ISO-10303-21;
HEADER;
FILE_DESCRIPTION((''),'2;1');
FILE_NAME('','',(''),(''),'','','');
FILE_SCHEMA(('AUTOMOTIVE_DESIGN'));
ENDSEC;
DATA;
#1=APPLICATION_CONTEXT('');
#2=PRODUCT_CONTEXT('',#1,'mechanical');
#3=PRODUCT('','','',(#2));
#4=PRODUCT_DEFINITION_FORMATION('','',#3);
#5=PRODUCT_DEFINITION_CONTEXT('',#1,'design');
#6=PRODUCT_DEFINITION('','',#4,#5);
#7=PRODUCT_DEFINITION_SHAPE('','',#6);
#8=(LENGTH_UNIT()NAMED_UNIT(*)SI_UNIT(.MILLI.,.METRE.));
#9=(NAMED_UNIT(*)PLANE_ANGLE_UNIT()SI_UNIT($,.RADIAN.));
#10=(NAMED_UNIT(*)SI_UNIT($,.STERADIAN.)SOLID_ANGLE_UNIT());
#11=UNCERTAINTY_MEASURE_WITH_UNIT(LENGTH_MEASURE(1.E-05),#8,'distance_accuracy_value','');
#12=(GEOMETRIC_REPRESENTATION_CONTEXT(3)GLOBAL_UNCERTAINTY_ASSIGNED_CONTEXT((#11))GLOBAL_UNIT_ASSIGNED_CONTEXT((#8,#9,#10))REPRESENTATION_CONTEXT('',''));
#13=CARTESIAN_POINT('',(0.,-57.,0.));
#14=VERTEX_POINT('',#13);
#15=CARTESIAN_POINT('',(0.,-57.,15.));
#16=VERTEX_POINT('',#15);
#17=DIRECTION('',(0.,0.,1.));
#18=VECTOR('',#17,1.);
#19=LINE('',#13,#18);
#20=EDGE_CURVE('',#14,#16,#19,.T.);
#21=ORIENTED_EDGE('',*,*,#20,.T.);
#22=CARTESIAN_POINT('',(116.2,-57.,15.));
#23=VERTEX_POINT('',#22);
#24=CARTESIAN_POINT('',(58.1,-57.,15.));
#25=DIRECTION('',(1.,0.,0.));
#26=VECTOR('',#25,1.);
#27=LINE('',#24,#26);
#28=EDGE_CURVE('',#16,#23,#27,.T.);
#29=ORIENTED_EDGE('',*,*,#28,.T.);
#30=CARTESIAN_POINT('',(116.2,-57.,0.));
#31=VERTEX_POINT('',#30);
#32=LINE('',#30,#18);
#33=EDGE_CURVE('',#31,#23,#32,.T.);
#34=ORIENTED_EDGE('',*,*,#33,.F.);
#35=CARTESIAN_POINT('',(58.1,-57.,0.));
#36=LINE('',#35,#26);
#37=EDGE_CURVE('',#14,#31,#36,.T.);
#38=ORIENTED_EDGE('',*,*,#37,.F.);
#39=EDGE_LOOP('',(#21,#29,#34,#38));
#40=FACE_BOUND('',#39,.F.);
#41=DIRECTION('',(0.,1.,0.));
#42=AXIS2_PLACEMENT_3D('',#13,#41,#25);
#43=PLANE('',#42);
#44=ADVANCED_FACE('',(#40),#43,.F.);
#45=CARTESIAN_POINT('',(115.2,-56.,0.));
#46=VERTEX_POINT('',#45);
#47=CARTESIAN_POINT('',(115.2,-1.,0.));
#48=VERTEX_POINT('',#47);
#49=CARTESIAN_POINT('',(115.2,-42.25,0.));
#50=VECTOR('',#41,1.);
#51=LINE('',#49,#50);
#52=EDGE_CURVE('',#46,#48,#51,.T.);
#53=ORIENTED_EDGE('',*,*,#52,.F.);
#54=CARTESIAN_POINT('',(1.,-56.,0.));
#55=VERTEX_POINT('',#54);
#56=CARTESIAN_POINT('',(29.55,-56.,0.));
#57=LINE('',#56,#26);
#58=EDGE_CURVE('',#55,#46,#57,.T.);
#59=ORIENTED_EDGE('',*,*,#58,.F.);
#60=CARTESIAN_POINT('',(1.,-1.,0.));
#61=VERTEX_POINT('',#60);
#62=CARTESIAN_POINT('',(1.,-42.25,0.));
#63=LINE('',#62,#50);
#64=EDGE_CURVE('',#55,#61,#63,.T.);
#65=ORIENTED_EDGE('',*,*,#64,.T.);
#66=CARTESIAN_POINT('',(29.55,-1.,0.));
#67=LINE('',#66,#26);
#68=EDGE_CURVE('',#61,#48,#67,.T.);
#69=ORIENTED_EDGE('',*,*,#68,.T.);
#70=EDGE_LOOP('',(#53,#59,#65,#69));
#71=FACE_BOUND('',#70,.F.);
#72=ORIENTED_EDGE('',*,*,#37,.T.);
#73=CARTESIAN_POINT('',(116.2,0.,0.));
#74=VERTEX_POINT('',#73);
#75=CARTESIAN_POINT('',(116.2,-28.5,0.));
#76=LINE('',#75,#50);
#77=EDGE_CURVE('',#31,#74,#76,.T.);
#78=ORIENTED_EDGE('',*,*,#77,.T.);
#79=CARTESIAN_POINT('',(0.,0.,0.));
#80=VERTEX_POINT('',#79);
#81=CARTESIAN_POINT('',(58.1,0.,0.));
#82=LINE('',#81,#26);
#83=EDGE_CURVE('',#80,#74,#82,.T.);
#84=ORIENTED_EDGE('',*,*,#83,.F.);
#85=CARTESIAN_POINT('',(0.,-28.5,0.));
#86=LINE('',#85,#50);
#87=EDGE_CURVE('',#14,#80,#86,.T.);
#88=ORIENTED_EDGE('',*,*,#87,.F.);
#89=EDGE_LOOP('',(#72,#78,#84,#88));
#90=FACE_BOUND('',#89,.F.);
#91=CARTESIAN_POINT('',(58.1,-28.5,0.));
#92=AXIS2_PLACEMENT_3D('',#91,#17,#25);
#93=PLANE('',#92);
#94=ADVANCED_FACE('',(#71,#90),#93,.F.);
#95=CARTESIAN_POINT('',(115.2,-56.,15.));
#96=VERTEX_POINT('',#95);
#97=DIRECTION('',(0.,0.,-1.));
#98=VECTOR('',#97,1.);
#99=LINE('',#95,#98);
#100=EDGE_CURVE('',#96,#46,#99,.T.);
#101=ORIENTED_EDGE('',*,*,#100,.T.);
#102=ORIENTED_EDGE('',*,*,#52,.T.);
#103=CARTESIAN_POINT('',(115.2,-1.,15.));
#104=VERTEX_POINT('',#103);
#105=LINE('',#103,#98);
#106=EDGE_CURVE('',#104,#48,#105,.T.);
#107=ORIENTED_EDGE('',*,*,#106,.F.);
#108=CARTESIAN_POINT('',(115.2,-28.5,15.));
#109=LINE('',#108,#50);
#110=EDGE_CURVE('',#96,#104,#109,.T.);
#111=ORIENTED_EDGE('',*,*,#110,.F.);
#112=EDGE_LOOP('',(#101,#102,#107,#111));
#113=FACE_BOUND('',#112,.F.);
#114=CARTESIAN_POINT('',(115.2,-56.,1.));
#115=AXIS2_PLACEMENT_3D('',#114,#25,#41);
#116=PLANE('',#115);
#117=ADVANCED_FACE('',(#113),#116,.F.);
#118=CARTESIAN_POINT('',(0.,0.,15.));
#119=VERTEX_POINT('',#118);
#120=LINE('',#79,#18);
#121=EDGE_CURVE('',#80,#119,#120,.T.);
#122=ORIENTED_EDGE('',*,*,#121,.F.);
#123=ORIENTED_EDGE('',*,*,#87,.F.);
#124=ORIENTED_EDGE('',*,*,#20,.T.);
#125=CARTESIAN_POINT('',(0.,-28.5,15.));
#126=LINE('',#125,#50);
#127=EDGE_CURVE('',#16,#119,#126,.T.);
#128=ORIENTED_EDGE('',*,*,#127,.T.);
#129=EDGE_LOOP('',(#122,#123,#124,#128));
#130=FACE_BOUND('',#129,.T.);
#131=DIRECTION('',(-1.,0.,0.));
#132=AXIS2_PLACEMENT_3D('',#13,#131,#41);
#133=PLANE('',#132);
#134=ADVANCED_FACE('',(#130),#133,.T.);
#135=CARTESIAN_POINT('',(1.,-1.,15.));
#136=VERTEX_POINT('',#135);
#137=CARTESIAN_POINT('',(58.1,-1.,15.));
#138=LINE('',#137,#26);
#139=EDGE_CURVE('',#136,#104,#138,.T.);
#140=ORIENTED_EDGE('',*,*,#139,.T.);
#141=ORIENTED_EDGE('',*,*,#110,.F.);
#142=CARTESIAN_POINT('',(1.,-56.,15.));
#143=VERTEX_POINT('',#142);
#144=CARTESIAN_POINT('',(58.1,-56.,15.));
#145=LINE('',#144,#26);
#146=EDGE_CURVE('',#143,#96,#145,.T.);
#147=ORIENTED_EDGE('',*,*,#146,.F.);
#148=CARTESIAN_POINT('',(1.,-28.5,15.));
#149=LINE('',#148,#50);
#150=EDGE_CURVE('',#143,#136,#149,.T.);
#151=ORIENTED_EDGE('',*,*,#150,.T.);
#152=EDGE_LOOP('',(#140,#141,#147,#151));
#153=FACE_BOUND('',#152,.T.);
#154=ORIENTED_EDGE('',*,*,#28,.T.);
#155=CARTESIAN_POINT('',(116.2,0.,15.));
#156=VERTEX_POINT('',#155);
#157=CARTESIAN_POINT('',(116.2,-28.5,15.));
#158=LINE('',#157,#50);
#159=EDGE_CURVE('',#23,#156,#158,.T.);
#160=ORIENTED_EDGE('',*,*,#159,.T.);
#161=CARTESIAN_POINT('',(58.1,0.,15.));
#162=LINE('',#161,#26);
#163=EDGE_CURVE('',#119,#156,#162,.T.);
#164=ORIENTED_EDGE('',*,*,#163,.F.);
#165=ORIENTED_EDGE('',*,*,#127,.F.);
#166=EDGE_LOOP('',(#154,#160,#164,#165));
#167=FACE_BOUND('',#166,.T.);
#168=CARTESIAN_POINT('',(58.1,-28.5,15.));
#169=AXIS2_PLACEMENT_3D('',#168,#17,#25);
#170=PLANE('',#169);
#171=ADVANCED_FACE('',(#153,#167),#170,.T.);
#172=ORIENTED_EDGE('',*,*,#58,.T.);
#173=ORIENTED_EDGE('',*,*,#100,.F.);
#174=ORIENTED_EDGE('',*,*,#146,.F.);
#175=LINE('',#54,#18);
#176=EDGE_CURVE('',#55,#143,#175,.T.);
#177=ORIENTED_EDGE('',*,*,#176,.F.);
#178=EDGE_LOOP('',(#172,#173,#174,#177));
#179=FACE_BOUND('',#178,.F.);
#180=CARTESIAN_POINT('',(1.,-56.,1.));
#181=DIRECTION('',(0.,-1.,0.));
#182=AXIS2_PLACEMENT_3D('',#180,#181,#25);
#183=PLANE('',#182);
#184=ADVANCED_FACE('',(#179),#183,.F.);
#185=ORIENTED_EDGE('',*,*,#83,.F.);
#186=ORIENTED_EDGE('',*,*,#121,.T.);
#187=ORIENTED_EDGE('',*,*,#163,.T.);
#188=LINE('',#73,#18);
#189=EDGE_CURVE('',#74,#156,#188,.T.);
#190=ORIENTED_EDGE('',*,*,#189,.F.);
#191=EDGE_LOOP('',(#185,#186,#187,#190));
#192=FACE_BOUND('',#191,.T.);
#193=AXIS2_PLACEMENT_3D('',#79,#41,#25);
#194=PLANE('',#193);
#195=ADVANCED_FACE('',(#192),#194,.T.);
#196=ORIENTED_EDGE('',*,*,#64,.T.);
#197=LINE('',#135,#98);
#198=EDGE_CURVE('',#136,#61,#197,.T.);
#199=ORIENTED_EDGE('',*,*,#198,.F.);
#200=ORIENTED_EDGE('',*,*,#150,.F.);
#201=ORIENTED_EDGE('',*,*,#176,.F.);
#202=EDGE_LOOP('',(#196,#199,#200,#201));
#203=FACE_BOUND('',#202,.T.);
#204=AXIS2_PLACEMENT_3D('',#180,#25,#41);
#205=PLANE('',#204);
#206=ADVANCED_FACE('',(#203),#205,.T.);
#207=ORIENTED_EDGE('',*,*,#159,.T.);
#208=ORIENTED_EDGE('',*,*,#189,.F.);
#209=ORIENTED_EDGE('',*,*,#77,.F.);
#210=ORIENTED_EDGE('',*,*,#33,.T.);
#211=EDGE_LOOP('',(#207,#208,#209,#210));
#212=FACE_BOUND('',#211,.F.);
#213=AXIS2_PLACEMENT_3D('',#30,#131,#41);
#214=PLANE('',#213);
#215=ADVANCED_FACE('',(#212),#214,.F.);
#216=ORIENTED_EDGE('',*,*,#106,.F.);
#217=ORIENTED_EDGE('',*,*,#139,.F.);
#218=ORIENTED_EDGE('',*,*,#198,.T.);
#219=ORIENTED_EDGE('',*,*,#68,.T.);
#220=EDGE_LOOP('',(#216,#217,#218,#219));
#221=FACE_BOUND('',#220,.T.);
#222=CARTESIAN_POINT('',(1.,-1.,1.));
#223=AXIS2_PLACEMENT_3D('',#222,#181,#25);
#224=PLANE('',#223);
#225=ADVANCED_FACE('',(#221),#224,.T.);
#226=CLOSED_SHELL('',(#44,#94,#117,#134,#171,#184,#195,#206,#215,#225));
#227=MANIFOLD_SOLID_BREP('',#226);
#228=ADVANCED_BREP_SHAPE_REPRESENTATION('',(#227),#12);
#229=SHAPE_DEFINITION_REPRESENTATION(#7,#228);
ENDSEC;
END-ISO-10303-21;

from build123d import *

# Parameters (mm, degrees)
F0_W     = 116.2
F0_H     = 57
F1_DEPTH = 15
F2_T     = -1
F3_DEPTH = 1.001


with BuildPart() as f1:
    # F0 (on Top) → F1 (new body)
    with BuildSketch(Plane.XY):
        with Locations((58.1, -28.5)):
            Rectangle(F0_W, F0_H)
    extrude(amount=F1_DEPTH)

    # F2
    f2_openings = [f1.faces().sort_by_distance(p)[0] for p in [
        (58.1, -28.5, 15),
    ]]
    offset(amount=F2_T, openings=f2_openings)

    # F3 (cut, through all): a face of the model
    f3_faces = [f1.faces().sort_by_distance(p)[0] for p in [
        (58.1, -28.5, 1),
    ]]
    extrude(f3_faces, amount=-F3_DEPTH, mode=Mode.SUBTRACT)


solid = f1.part
